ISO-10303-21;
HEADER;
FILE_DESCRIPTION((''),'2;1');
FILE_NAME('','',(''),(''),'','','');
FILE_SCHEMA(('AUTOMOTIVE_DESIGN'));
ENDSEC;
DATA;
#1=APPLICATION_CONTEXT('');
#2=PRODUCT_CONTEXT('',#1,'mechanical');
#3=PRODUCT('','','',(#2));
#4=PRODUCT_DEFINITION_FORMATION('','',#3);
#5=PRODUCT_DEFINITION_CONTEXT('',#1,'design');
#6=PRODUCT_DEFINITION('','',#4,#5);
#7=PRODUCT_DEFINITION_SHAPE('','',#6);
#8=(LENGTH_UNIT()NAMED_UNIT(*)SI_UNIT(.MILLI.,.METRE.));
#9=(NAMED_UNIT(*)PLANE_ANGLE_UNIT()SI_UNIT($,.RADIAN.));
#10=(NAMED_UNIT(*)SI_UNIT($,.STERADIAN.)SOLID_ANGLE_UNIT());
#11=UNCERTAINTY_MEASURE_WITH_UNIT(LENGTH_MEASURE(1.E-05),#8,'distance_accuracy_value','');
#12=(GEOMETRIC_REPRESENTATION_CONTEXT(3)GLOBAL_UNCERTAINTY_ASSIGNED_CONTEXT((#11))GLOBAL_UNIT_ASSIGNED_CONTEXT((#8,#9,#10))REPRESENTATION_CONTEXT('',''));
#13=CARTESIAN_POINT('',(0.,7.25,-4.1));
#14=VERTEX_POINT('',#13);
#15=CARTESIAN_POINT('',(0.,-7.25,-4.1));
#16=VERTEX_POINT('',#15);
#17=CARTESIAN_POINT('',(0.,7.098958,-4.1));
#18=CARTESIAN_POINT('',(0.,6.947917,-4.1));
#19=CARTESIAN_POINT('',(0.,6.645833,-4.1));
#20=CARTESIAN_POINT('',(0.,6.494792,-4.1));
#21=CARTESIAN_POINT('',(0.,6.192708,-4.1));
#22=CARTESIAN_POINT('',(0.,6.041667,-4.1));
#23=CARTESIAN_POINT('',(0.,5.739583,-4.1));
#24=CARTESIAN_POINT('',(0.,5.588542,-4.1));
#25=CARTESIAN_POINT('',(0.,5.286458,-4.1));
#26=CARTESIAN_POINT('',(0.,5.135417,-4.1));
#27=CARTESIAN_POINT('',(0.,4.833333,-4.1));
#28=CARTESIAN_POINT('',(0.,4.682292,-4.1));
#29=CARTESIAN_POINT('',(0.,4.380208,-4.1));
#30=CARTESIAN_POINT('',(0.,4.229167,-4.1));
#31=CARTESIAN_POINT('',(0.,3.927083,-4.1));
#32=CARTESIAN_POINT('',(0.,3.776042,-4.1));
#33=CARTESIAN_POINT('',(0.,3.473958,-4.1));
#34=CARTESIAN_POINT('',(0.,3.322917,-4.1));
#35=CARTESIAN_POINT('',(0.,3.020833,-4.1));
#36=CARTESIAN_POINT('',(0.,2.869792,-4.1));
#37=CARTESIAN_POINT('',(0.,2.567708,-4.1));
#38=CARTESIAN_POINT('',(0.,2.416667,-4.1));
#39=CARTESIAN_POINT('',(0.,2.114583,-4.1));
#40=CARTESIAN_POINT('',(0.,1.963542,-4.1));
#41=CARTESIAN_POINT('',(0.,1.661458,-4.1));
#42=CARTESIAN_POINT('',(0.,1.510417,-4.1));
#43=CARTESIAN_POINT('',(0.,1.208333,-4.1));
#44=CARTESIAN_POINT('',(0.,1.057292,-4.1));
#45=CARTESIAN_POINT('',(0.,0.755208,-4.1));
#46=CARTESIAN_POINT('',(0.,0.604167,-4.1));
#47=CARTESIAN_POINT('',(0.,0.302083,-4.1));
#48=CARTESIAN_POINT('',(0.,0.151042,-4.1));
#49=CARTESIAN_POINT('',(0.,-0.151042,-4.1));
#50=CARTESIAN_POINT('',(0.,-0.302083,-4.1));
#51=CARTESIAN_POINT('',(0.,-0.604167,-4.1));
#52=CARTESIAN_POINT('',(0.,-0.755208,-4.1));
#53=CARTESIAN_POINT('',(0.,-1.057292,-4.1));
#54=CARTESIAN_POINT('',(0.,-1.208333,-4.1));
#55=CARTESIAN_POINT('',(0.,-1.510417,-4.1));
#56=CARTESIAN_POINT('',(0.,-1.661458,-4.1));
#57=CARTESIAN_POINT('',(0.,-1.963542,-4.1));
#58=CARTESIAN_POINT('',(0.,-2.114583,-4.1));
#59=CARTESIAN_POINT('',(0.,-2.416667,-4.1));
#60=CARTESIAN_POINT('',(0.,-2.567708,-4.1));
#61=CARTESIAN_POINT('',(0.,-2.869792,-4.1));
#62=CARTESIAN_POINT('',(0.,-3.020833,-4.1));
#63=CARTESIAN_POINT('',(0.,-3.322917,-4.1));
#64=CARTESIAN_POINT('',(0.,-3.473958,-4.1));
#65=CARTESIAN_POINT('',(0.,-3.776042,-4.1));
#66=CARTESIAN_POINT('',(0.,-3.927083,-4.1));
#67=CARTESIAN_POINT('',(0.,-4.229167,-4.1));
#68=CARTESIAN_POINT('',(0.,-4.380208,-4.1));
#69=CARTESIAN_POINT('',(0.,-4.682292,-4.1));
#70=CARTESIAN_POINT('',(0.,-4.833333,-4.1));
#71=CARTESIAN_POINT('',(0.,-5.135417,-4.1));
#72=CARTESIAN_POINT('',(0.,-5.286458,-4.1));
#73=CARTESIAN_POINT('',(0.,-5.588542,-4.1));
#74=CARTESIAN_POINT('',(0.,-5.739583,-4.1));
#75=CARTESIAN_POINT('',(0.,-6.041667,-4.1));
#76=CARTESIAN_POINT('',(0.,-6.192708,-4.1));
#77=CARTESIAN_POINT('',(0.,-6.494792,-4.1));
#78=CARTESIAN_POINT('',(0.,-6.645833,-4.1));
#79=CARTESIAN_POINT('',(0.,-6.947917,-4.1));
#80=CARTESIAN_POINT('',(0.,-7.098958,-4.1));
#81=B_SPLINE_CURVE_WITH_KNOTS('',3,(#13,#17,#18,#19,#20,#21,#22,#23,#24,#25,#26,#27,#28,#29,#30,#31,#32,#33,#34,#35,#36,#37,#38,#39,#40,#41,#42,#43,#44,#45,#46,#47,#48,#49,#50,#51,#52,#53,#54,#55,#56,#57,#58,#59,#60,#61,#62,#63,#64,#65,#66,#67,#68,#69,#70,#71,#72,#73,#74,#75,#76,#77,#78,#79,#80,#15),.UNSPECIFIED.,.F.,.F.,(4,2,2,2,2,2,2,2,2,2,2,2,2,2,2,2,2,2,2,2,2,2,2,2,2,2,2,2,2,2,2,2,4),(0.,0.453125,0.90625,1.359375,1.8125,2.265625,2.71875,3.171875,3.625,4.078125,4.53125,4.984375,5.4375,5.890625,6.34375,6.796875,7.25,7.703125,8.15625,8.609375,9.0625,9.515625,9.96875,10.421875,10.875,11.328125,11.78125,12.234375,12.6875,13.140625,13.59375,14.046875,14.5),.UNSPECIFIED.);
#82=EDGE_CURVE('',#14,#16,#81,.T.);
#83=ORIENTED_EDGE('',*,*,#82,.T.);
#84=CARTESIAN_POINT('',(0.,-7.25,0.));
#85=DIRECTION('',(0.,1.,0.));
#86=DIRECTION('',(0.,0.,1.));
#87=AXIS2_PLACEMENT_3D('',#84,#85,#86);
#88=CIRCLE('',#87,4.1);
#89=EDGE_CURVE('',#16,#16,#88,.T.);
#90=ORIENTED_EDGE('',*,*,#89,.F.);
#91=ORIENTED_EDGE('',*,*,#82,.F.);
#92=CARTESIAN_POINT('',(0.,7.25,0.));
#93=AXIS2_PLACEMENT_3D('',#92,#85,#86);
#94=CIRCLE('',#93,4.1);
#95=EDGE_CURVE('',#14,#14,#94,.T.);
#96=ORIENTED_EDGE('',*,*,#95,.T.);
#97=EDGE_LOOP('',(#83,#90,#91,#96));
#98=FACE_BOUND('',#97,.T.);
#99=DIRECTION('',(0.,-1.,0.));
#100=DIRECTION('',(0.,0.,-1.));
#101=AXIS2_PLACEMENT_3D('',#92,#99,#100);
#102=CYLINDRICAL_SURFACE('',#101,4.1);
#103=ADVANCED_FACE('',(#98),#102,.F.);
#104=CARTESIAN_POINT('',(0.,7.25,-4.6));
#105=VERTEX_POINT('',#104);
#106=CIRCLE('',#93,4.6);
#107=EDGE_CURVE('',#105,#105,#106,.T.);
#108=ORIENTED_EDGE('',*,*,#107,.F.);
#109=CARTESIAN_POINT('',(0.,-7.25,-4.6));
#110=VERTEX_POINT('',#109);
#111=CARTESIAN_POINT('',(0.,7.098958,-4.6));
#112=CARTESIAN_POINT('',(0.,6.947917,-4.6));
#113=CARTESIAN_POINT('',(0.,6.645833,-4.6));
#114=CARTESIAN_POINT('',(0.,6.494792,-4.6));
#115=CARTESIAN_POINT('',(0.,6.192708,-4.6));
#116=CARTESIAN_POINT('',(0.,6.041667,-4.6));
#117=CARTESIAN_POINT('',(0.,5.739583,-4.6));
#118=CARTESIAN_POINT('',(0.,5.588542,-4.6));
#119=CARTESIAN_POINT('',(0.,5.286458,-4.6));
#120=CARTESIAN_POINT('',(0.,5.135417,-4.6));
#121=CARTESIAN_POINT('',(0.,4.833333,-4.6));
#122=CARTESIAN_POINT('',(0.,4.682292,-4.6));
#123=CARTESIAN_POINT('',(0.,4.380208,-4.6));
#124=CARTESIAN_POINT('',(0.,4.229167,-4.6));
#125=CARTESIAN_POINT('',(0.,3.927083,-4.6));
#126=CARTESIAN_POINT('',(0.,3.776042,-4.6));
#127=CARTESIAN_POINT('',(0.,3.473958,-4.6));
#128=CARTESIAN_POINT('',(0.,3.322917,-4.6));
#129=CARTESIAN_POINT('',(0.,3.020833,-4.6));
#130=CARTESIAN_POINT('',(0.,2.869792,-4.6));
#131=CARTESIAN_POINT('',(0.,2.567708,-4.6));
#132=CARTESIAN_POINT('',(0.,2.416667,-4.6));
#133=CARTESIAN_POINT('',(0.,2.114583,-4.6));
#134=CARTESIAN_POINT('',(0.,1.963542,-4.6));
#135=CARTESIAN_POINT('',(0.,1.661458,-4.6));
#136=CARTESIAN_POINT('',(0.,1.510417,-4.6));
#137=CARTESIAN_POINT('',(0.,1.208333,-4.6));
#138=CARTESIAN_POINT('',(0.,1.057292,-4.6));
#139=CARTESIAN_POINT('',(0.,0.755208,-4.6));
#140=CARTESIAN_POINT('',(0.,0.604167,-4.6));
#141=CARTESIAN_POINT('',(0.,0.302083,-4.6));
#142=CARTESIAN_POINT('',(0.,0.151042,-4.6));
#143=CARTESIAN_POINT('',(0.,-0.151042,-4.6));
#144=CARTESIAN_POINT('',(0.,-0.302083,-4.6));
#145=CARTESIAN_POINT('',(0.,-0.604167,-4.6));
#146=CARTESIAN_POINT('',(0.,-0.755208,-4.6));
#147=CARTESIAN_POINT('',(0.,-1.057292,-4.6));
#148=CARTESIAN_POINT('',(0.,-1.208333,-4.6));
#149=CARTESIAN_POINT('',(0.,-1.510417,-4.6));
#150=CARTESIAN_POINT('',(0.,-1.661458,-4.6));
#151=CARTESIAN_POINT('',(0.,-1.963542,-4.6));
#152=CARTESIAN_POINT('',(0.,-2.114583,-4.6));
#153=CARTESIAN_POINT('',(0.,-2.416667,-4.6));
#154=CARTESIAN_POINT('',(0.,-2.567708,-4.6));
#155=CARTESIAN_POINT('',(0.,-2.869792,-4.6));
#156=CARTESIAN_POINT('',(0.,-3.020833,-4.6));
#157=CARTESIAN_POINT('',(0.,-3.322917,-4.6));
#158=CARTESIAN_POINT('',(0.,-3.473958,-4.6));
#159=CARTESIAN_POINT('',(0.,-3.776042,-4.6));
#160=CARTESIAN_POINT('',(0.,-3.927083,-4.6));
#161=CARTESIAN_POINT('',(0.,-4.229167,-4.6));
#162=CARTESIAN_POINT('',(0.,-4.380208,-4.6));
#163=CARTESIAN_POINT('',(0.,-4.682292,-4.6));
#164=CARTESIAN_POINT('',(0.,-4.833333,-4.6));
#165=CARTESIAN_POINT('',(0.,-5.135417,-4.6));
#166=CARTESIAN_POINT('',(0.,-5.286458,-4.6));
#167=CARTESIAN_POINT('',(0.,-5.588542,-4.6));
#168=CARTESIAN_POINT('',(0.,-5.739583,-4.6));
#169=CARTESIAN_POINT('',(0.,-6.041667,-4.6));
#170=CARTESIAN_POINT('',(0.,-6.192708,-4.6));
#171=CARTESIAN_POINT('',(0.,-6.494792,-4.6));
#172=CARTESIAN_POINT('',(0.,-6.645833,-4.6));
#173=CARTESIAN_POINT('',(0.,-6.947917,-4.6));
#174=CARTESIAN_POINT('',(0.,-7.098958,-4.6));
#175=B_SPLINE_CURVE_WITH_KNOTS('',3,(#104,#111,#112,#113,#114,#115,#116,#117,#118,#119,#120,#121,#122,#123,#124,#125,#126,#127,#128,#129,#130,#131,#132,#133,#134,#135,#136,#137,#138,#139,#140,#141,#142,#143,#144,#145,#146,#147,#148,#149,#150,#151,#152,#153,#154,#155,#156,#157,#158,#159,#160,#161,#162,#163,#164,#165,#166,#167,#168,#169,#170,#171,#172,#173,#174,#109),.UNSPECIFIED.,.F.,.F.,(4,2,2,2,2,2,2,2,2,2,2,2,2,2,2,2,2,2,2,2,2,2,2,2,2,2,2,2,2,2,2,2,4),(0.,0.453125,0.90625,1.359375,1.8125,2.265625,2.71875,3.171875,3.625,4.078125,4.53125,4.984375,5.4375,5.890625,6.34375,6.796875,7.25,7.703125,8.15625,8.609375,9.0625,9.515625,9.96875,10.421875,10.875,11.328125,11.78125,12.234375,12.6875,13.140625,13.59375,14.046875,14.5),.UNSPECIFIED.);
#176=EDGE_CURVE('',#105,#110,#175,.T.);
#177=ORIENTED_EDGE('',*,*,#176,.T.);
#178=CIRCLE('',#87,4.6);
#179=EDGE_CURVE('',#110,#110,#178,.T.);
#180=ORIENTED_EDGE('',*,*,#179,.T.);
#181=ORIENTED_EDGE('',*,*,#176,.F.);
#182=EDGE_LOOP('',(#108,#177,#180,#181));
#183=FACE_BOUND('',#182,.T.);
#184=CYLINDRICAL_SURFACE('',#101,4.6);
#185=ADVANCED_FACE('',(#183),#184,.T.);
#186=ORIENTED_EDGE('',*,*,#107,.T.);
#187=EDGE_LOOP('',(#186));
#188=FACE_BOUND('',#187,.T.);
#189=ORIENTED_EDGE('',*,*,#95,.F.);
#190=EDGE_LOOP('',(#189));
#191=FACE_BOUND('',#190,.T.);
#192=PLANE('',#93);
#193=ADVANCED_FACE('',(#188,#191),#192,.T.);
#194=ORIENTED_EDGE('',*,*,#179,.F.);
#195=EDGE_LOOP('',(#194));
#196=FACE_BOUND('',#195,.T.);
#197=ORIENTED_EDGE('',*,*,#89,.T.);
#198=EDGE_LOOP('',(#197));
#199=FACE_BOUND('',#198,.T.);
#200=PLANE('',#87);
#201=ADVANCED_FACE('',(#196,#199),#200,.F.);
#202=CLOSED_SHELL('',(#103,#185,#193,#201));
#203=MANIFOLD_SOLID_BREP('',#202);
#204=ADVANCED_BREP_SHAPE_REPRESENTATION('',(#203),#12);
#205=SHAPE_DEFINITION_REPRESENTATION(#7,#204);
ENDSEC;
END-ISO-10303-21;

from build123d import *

# Parameters (mm, degrees)
BASES_R    = 4.6
BASES_R_2  = 4.1
BASE_DEPTH = 7.25


with BuildPart() as part:
    # BaseS → BASE (new, symmetric)
    with BuildSketch(Plane(origin=(0, 0, 0), x_dir=(1, 0, 0), z_dir=(0, 1, 0))):
        with Locations(Location((0, 0, 0), (0, 0, 90))):
            Circle(BASES_R)
        with Locations(Location((0, 0, 0), (0, 0, 90))):
            Circle(BASES_R_2, mode=Mode.SUBTRACT)
    extrude(amount=BASE_DEPTH, both=True)


solid = part.part
